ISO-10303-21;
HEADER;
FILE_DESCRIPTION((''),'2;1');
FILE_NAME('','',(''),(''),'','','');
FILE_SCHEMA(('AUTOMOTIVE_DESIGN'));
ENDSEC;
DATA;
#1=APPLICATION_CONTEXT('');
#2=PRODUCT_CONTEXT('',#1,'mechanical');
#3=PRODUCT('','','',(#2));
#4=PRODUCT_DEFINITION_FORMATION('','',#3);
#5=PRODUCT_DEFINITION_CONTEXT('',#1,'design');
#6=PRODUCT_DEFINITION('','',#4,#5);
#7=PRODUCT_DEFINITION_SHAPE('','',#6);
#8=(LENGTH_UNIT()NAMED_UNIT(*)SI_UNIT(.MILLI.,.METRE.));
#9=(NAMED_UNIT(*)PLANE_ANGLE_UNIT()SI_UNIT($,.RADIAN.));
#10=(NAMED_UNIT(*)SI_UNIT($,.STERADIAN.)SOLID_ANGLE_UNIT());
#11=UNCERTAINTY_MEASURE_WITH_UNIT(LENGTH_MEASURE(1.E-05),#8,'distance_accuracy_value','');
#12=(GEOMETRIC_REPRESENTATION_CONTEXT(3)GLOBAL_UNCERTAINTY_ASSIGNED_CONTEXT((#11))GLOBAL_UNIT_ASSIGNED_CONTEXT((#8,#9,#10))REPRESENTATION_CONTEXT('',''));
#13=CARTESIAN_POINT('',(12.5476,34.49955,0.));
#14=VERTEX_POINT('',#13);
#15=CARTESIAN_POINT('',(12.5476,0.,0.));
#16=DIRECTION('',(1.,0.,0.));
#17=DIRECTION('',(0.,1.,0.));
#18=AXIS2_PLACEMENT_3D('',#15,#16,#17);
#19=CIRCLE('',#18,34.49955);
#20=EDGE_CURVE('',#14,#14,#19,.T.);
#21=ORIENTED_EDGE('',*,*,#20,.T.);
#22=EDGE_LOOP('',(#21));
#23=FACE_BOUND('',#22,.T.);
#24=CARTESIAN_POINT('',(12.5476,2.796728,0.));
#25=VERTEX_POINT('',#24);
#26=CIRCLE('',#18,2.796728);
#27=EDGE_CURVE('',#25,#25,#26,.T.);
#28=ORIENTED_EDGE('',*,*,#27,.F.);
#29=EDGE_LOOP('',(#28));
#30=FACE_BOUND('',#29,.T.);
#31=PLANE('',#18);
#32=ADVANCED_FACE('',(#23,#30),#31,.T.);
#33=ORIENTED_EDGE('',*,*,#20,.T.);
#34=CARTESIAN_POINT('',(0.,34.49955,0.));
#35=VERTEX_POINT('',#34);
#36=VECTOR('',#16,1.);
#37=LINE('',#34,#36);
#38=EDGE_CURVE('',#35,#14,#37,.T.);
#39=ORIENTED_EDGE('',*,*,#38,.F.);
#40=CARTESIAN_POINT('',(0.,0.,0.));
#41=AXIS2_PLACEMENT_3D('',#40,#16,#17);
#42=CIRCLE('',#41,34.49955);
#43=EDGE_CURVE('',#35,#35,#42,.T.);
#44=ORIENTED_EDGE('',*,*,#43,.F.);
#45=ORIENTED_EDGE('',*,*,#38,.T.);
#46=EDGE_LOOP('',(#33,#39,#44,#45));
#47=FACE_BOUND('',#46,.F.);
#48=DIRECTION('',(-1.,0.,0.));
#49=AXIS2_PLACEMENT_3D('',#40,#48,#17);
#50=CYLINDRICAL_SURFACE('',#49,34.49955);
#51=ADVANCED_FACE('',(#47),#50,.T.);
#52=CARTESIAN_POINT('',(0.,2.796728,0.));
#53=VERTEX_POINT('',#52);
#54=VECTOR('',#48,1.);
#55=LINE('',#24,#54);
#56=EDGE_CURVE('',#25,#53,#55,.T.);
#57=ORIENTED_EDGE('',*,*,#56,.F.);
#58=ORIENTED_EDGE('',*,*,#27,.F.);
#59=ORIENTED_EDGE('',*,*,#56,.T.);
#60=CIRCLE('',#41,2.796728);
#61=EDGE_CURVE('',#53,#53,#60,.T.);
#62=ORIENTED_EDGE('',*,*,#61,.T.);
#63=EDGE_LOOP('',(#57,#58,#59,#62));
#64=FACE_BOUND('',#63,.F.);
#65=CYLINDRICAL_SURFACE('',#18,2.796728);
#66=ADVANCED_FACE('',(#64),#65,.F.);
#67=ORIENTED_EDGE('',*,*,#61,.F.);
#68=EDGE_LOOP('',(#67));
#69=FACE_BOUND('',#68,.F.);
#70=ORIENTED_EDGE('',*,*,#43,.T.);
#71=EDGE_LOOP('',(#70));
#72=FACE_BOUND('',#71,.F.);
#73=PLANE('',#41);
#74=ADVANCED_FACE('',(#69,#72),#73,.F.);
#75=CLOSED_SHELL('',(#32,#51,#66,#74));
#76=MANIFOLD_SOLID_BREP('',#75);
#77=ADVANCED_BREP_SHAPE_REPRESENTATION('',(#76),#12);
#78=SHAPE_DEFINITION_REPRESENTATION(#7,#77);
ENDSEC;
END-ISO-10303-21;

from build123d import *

# Parameters (mm, degrees)
F0_R     = 34.49955
F1_DEPTH = 12.5476
F2_R     = 2.796728
F3_DEPTH = 12.5486


with BuildPart() as f1:
    # F0 (on Right) → F1 (new body)
    with BuildSketch(Plane.YZ):
        Circle(F0_R)
    extrude(amount=F1_DEPTH)

    # F2 (on face) → F3 (cut, through all)
    with BuildSketch(Plane.YZ.offset(12.5476)):
        Circle(F2_R)
    extrude(amount=-F3_DEPTH, mode=Mode.SUBTRACT)


solid = f1.part
